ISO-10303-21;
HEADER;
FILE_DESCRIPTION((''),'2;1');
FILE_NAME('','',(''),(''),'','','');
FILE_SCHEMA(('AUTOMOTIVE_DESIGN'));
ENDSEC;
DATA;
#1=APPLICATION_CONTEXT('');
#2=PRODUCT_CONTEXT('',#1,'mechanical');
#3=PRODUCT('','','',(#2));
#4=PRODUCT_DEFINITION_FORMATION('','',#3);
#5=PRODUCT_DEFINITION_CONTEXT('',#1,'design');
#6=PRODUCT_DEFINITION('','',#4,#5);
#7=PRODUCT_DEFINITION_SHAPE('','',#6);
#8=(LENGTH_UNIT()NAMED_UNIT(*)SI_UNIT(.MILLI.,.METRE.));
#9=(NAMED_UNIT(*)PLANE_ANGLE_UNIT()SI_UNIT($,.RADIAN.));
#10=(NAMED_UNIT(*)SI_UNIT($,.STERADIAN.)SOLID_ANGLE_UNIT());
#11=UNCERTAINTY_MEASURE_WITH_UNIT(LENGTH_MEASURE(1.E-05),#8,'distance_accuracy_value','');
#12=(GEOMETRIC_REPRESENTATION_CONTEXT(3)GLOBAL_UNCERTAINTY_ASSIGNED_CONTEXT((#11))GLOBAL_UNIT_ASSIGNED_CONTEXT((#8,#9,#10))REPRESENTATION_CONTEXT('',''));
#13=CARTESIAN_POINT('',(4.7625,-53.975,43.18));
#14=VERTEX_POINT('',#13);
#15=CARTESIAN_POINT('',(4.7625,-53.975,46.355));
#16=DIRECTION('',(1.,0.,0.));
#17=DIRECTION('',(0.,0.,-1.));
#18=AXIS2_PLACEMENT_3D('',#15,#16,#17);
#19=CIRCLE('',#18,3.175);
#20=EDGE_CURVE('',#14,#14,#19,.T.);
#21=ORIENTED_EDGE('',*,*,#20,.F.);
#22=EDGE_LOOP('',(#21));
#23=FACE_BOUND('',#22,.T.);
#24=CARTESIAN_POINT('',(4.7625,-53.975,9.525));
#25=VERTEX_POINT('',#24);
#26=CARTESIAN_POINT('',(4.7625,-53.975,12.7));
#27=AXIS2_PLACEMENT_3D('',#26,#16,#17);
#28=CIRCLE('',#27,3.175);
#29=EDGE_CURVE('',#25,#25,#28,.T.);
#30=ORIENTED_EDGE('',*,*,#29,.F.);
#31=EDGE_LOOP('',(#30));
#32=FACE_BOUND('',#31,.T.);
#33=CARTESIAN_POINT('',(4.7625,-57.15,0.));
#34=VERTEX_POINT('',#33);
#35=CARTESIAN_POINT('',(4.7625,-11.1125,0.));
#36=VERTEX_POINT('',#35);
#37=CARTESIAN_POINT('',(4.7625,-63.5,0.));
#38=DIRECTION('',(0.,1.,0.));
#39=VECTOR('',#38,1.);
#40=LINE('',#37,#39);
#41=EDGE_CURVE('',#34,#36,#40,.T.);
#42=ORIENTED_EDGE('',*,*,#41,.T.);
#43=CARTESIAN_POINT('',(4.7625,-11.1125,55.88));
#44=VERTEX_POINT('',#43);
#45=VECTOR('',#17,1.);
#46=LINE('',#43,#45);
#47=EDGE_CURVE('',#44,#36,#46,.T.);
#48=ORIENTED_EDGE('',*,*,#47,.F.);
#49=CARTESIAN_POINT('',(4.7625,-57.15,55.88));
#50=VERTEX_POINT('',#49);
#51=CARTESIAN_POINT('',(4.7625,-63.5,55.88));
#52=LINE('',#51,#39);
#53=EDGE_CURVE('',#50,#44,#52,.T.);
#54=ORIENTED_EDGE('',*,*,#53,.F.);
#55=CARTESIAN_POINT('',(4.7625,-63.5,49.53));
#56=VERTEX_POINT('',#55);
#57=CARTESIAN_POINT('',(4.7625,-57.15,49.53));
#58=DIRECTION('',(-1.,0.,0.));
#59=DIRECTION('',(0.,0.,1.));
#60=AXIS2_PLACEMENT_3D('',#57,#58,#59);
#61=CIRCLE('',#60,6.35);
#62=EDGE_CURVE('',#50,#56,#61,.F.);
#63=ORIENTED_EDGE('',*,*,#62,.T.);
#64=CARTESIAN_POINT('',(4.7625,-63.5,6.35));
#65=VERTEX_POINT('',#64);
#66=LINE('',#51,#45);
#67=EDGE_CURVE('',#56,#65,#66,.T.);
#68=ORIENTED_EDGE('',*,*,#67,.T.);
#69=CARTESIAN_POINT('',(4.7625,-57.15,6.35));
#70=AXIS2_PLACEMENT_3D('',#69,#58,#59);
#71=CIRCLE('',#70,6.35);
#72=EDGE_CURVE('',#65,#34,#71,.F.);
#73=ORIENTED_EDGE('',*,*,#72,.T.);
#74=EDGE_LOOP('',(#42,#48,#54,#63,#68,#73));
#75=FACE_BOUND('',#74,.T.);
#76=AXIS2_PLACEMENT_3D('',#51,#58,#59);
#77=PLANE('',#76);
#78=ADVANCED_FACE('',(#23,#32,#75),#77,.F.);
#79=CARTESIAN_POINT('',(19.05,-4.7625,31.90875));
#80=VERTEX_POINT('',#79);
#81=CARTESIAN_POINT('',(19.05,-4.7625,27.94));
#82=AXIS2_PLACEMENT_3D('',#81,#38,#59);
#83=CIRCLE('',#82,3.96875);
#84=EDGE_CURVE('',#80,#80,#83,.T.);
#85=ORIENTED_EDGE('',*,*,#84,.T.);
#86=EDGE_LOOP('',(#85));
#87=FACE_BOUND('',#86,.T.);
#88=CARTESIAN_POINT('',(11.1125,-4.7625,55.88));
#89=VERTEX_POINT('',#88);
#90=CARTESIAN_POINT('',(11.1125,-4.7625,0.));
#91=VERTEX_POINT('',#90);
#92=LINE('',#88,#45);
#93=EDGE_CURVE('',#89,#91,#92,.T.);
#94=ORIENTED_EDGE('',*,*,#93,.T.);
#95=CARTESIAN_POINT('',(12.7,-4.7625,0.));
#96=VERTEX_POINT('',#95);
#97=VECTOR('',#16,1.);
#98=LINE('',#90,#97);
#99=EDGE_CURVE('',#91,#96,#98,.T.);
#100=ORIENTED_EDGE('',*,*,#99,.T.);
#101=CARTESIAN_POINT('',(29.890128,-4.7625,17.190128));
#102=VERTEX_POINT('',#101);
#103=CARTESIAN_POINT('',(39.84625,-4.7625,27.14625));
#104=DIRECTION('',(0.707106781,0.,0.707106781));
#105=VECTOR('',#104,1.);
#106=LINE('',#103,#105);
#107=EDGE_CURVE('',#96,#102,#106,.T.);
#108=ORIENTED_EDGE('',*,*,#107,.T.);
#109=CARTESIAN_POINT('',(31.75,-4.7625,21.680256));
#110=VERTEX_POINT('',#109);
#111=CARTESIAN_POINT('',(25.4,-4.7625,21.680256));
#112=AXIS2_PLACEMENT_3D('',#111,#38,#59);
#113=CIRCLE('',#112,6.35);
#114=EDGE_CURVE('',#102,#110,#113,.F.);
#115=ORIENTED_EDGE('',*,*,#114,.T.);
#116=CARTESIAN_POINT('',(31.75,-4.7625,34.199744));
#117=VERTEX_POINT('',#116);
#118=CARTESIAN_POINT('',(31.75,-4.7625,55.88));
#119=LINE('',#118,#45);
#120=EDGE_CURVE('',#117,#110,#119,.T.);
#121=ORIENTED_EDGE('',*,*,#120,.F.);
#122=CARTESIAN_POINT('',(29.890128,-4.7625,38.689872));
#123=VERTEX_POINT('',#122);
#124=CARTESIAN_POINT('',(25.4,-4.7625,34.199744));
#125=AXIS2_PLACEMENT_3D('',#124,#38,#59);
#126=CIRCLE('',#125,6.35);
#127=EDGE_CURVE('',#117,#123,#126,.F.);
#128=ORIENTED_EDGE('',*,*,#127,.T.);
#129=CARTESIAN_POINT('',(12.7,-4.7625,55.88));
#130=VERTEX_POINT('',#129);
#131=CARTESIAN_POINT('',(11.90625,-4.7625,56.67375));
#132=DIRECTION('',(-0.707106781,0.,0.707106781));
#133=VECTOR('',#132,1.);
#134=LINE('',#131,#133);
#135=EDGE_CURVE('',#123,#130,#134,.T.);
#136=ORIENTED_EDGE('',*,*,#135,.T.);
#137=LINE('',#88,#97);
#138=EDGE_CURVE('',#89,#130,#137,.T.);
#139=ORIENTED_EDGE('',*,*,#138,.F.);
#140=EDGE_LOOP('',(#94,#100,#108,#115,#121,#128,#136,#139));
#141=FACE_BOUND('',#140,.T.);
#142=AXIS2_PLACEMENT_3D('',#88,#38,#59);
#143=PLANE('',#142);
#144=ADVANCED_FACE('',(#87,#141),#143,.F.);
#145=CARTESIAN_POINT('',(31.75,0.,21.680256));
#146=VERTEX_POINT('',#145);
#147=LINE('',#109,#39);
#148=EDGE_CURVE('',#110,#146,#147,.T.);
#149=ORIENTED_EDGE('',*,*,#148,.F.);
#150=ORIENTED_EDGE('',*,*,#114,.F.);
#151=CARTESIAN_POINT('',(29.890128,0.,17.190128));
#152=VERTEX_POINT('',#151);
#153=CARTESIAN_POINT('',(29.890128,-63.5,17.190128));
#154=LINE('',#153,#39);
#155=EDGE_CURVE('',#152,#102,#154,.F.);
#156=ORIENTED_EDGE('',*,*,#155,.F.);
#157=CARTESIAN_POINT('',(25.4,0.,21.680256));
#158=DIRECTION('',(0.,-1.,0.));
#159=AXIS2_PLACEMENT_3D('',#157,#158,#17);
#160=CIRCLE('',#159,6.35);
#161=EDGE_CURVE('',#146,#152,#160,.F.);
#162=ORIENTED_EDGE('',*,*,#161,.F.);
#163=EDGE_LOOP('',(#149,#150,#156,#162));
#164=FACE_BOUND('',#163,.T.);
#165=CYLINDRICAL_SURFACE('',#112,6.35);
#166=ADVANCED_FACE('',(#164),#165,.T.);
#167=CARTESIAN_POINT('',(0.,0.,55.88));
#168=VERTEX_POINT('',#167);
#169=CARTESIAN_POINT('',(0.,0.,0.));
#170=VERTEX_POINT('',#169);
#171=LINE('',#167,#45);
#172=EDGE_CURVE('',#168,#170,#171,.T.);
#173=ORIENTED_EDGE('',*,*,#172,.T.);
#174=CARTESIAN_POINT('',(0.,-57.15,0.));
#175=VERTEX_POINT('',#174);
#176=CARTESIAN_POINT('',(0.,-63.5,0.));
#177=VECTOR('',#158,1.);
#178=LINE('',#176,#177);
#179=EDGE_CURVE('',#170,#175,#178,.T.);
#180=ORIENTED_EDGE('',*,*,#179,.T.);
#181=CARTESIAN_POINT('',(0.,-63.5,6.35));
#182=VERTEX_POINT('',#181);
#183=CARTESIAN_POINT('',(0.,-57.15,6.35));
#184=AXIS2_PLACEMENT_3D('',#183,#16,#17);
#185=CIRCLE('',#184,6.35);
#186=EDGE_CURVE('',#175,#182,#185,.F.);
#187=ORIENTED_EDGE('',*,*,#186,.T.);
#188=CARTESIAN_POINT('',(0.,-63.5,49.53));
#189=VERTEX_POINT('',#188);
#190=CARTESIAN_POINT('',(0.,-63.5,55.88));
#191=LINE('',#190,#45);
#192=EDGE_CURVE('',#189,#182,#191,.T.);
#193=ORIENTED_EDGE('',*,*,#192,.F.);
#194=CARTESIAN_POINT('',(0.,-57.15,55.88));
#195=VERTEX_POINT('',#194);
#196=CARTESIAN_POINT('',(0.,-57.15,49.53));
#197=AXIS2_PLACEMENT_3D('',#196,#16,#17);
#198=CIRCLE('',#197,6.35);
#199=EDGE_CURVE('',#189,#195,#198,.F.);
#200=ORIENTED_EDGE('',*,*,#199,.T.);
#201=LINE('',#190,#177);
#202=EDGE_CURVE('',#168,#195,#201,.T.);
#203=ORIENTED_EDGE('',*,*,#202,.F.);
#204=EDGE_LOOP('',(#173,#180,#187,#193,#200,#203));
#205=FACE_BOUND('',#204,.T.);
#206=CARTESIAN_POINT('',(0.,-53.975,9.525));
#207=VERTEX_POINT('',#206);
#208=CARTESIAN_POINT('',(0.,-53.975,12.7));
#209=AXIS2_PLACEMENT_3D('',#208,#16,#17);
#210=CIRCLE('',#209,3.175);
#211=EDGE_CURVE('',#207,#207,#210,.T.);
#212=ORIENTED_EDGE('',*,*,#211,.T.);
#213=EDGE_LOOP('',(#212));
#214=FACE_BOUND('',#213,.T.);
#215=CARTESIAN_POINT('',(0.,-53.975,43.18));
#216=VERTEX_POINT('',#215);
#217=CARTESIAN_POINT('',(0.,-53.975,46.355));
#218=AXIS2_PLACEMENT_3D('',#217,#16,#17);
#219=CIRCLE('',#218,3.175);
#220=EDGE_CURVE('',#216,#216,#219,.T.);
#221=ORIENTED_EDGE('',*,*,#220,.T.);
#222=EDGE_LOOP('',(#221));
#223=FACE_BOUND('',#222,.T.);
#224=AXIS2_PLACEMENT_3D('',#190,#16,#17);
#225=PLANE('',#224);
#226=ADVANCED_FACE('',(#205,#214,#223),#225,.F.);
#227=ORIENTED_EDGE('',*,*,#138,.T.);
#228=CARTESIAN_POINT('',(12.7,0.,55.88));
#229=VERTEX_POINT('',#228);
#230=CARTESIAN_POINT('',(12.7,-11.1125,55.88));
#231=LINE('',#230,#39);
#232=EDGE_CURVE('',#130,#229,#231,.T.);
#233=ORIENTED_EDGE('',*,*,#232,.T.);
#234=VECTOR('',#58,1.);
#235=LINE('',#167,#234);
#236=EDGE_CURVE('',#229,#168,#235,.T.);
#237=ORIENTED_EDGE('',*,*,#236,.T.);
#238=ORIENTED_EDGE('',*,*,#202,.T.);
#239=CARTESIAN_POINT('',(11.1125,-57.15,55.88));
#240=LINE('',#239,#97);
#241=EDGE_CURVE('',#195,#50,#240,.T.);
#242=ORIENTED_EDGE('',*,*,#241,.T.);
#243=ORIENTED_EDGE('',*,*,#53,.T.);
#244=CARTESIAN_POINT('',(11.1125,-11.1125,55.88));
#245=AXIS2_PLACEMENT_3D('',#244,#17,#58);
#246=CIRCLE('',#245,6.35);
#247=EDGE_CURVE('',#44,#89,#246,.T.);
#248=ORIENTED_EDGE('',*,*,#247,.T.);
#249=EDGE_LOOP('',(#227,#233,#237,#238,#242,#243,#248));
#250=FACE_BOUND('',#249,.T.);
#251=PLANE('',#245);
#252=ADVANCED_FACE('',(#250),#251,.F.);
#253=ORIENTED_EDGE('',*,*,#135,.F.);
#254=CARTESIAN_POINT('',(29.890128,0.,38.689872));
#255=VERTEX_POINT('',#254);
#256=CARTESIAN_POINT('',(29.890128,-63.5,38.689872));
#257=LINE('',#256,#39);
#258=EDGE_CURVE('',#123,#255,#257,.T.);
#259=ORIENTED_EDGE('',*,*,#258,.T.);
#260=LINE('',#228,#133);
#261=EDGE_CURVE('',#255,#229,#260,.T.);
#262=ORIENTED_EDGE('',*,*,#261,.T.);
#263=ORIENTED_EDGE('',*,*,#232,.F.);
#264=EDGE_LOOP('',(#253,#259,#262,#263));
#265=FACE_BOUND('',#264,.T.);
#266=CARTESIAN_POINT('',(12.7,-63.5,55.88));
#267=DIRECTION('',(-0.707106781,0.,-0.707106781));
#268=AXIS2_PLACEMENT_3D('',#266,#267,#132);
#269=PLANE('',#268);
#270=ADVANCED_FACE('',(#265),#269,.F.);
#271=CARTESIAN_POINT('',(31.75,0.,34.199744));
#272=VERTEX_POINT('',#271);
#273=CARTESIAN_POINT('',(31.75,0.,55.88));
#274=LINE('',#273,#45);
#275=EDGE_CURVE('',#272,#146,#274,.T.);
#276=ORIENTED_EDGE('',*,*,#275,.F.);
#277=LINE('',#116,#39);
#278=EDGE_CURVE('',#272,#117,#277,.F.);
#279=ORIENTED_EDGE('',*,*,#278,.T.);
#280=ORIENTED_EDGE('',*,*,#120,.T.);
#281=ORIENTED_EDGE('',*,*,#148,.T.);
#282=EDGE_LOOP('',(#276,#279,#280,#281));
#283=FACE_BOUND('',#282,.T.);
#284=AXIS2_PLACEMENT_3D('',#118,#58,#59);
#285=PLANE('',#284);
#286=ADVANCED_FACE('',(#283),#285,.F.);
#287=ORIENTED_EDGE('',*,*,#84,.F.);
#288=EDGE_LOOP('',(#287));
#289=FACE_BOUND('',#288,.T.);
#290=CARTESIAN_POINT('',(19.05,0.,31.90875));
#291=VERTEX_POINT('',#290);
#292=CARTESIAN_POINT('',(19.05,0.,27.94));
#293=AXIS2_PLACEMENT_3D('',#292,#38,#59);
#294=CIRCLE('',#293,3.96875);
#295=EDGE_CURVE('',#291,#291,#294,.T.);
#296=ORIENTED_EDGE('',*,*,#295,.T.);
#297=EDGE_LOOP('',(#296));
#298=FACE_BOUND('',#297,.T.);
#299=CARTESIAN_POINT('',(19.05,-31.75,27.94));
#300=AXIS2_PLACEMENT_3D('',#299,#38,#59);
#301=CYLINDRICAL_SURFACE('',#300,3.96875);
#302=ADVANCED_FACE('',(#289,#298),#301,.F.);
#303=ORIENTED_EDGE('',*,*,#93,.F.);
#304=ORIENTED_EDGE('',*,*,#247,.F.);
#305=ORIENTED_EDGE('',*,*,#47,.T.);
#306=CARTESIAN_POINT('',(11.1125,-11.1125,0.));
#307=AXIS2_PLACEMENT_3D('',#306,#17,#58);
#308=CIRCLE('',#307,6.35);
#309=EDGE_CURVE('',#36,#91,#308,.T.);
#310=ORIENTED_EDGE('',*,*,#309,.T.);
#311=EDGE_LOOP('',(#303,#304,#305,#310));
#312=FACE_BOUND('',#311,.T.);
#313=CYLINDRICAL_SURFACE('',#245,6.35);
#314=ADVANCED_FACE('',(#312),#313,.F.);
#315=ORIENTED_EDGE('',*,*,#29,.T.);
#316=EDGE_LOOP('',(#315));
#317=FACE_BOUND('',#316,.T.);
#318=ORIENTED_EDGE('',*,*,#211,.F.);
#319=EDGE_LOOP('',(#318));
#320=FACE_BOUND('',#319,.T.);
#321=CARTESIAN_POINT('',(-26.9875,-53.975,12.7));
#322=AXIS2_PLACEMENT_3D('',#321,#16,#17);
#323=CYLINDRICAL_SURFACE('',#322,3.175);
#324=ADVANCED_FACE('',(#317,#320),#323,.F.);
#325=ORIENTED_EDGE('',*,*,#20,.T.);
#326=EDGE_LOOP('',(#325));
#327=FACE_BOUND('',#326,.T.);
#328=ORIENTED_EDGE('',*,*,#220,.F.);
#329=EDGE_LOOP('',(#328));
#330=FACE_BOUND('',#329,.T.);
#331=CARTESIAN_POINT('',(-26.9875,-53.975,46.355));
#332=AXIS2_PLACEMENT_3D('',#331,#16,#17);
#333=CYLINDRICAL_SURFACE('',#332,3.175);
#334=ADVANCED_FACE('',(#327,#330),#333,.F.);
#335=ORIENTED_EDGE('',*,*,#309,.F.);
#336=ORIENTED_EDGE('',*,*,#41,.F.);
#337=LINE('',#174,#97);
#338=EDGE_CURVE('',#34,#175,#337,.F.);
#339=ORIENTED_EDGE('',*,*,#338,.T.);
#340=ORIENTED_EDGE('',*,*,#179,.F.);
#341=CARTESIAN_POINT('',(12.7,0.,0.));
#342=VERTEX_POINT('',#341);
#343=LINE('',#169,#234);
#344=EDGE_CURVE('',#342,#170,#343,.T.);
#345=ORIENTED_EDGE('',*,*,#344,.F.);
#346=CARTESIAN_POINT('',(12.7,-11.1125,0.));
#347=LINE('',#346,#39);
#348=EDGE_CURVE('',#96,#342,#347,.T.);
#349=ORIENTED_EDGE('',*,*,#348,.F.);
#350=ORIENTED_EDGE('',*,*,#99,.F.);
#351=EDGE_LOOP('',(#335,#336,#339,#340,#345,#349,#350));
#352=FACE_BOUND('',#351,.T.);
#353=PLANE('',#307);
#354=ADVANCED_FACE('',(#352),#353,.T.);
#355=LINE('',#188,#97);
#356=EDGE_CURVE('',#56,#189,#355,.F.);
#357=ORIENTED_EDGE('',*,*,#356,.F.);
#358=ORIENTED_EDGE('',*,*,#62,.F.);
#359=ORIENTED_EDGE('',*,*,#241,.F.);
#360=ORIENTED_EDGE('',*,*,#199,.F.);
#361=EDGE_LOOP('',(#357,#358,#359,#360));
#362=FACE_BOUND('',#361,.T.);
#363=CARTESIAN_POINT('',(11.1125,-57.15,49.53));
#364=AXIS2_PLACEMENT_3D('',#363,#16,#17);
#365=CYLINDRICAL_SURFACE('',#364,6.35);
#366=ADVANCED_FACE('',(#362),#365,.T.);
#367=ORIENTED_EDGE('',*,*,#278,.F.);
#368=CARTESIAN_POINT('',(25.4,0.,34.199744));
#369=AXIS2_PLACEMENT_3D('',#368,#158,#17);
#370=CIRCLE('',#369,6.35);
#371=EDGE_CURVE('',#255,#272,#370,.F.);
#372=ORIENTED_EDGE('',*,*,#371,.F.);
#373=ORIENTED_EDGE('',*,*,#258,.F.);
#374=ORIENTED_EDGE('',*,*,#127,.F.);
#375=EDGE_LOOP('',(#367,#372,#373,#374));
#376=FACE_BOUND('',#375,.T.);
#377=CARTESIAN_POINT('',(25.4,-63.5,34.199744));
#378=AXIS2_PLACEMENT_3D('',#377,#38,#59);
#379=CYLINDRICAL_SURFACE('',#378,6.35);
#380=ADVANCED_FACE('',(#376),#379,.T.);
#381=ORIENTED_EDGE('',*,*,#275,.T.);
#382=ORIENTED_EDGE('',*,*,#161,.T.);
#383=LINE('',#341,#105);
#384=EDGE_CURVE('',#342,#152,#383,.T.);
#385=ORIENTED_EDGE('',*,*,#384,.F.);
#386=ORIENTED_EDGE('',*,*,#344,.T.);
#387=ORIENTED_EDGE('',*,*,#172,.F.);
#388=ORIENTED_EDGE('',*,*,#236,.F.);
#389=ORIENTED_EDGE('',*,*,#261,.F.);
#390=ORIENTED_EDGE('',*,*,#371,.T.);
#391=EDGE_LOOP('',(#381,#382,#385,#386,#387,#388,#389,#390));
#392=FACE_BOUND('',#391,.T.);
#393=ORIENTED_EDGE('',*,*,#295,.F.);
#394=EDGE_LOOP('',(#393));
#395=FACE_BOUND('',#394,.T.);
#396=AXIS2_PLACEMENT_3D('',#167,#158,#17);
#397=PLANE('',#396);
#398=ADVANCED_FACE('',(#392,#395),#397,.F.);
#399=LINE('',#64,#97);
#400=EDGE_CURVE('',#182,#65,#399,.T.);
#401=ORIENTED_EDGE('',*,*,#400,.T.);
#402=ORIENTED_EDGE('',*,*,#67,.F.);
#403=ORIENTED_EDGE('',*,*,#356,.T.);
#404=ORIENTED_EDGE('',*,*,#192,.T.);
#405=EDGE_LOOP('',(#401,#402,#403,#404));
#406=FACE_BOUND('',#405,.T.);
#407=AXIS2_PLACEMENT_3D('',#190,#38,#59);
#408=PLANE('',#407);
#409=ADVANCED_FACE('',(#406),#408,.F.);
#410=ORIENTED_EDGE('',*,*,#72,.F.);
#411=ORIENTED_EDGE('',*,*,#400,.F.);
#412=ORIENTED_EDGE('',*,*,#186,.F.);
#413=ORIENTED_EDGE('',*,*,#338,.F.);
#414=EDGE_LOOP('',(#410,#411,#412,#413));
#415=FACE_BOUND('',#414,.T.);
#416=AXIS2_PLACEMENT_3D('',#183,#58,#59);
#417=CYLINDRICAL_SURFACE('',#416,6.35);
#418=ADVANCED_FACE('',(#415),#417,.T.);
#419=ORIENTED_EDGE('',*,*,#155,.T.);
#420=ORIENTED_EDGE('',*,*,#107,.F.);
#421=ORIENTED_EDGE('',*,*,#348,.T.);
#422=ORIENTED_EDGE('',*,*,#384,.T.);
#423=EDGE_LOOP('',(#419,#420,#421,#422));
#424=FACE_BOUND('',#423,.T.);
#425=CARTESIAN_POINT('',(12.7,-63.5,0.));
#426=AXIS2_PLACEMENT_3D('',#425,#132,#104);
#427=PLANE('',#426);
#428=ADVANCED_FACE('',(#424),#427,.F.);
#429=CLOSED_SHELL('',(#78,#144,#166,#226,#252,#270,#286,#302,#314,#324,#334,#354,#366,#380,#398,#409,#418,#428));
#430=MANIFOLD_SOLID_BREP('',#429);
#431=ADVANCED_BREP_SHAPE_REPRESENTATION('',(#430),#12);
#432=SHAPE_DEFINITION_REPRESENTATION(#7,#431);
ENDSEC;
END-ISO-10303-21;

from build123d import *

# Parameters (mm, degrees)
BOSS_EXTRUDE1_DEPTH = 55.88
SKETCH2_R           = 3.96875
CUT_EXTRUDE1_DEPTH  = 31.75
SKETCH3_R           = 3.175
CUT_EXTRUDE2_DEPTH  = 31.75
CUT_EXTRUDE3_DEPTH  = 91.348696172
FILLET2_R           = 6.35


with BuildPart() as part:
    # Sketch1 → Boss-Extrude1 (new body)
    with BuildSketch(Plane.XY):
        with BuildLine():
            Line((0, 0), (0, -63.5))
            Line((0, -63.5), (4.7625, -63.5))
            Line((4.7625, -63.5), (4.7625, -11.1125))
            ThreePointArc((4.7625, -11.1125), (6.622371939, -6.622371939), (11.1125, -4.7625))
            Line((11.1125, -4.7625), (31.75, -4.7625))
            Line((31.75, -4.7625), (31.75, 0))
            Line((31.75, 0), (0, 0))
        make_face()
    extrude(amount=BOSS_EXTRUDE1_DEPTH)

    # Sketch2 → Cut-Extrude1 (cut)
    with BuildSketch(Plane(origin=(0, 0, 0), x_dir=(1, 0, 0), z_dir=(0, 1, 0))):
        with Locations(Location((19.05, -27.94, 0), (0, 0, 270))):
            Circle(SKETCH2_R)
    extrude(amount=-CUT_EXTRUDE1_DEPTH, mode=Mode.SUBTRACT)

    # Sketch3 → Cut-Extrude2 (cut)
    with BuildSketch(Plane(origin=(4.7625, 0, 0), x_dir=(0, 0, -1), z_dir=(1, 0, 0))):
        with Locations((-46.355, -53.975)):
            Circle(SKETCH3_R)
        with Locations((-12.7, -53.975)):
            Circle(SKETCH3_R)
    extrude(amount=-CUT_EXTRUDE2_DEPTH, mode=Mode.SUBTRACT)

    # Sketch4 → Cut-Extrude3 (cut, through all)
    with BuildSketch(Plane(origin=(0, 0, 0), x_dir=(1, 0, 0), z_dir=(0, 1, 0))):
        Polygon((12.7, -55.88), (31.75, -36.83), (31.75, -55.88), align=None)
        Polygon((12.7, 0), (31.75, -19.05), (31.75, 0), align=None)
    extrude(amount=-CUT_EXTRUDE3_DEPTH, mode=Mode.SUBTRACT)

    # Fillet2
    fillet2_edges = [part.edges().sort_by_distance(p)[0] for p in [
        (2.38125, -63.5, 55.88),
        (31.75, -2.38125, 36.83),
        (31.75, -2.38125, 19.05),
        (2.38125, -63.5, 0),
    ]]
    fillet(fillet2_edges, radius=FILLET2_R)


solid = part.part
